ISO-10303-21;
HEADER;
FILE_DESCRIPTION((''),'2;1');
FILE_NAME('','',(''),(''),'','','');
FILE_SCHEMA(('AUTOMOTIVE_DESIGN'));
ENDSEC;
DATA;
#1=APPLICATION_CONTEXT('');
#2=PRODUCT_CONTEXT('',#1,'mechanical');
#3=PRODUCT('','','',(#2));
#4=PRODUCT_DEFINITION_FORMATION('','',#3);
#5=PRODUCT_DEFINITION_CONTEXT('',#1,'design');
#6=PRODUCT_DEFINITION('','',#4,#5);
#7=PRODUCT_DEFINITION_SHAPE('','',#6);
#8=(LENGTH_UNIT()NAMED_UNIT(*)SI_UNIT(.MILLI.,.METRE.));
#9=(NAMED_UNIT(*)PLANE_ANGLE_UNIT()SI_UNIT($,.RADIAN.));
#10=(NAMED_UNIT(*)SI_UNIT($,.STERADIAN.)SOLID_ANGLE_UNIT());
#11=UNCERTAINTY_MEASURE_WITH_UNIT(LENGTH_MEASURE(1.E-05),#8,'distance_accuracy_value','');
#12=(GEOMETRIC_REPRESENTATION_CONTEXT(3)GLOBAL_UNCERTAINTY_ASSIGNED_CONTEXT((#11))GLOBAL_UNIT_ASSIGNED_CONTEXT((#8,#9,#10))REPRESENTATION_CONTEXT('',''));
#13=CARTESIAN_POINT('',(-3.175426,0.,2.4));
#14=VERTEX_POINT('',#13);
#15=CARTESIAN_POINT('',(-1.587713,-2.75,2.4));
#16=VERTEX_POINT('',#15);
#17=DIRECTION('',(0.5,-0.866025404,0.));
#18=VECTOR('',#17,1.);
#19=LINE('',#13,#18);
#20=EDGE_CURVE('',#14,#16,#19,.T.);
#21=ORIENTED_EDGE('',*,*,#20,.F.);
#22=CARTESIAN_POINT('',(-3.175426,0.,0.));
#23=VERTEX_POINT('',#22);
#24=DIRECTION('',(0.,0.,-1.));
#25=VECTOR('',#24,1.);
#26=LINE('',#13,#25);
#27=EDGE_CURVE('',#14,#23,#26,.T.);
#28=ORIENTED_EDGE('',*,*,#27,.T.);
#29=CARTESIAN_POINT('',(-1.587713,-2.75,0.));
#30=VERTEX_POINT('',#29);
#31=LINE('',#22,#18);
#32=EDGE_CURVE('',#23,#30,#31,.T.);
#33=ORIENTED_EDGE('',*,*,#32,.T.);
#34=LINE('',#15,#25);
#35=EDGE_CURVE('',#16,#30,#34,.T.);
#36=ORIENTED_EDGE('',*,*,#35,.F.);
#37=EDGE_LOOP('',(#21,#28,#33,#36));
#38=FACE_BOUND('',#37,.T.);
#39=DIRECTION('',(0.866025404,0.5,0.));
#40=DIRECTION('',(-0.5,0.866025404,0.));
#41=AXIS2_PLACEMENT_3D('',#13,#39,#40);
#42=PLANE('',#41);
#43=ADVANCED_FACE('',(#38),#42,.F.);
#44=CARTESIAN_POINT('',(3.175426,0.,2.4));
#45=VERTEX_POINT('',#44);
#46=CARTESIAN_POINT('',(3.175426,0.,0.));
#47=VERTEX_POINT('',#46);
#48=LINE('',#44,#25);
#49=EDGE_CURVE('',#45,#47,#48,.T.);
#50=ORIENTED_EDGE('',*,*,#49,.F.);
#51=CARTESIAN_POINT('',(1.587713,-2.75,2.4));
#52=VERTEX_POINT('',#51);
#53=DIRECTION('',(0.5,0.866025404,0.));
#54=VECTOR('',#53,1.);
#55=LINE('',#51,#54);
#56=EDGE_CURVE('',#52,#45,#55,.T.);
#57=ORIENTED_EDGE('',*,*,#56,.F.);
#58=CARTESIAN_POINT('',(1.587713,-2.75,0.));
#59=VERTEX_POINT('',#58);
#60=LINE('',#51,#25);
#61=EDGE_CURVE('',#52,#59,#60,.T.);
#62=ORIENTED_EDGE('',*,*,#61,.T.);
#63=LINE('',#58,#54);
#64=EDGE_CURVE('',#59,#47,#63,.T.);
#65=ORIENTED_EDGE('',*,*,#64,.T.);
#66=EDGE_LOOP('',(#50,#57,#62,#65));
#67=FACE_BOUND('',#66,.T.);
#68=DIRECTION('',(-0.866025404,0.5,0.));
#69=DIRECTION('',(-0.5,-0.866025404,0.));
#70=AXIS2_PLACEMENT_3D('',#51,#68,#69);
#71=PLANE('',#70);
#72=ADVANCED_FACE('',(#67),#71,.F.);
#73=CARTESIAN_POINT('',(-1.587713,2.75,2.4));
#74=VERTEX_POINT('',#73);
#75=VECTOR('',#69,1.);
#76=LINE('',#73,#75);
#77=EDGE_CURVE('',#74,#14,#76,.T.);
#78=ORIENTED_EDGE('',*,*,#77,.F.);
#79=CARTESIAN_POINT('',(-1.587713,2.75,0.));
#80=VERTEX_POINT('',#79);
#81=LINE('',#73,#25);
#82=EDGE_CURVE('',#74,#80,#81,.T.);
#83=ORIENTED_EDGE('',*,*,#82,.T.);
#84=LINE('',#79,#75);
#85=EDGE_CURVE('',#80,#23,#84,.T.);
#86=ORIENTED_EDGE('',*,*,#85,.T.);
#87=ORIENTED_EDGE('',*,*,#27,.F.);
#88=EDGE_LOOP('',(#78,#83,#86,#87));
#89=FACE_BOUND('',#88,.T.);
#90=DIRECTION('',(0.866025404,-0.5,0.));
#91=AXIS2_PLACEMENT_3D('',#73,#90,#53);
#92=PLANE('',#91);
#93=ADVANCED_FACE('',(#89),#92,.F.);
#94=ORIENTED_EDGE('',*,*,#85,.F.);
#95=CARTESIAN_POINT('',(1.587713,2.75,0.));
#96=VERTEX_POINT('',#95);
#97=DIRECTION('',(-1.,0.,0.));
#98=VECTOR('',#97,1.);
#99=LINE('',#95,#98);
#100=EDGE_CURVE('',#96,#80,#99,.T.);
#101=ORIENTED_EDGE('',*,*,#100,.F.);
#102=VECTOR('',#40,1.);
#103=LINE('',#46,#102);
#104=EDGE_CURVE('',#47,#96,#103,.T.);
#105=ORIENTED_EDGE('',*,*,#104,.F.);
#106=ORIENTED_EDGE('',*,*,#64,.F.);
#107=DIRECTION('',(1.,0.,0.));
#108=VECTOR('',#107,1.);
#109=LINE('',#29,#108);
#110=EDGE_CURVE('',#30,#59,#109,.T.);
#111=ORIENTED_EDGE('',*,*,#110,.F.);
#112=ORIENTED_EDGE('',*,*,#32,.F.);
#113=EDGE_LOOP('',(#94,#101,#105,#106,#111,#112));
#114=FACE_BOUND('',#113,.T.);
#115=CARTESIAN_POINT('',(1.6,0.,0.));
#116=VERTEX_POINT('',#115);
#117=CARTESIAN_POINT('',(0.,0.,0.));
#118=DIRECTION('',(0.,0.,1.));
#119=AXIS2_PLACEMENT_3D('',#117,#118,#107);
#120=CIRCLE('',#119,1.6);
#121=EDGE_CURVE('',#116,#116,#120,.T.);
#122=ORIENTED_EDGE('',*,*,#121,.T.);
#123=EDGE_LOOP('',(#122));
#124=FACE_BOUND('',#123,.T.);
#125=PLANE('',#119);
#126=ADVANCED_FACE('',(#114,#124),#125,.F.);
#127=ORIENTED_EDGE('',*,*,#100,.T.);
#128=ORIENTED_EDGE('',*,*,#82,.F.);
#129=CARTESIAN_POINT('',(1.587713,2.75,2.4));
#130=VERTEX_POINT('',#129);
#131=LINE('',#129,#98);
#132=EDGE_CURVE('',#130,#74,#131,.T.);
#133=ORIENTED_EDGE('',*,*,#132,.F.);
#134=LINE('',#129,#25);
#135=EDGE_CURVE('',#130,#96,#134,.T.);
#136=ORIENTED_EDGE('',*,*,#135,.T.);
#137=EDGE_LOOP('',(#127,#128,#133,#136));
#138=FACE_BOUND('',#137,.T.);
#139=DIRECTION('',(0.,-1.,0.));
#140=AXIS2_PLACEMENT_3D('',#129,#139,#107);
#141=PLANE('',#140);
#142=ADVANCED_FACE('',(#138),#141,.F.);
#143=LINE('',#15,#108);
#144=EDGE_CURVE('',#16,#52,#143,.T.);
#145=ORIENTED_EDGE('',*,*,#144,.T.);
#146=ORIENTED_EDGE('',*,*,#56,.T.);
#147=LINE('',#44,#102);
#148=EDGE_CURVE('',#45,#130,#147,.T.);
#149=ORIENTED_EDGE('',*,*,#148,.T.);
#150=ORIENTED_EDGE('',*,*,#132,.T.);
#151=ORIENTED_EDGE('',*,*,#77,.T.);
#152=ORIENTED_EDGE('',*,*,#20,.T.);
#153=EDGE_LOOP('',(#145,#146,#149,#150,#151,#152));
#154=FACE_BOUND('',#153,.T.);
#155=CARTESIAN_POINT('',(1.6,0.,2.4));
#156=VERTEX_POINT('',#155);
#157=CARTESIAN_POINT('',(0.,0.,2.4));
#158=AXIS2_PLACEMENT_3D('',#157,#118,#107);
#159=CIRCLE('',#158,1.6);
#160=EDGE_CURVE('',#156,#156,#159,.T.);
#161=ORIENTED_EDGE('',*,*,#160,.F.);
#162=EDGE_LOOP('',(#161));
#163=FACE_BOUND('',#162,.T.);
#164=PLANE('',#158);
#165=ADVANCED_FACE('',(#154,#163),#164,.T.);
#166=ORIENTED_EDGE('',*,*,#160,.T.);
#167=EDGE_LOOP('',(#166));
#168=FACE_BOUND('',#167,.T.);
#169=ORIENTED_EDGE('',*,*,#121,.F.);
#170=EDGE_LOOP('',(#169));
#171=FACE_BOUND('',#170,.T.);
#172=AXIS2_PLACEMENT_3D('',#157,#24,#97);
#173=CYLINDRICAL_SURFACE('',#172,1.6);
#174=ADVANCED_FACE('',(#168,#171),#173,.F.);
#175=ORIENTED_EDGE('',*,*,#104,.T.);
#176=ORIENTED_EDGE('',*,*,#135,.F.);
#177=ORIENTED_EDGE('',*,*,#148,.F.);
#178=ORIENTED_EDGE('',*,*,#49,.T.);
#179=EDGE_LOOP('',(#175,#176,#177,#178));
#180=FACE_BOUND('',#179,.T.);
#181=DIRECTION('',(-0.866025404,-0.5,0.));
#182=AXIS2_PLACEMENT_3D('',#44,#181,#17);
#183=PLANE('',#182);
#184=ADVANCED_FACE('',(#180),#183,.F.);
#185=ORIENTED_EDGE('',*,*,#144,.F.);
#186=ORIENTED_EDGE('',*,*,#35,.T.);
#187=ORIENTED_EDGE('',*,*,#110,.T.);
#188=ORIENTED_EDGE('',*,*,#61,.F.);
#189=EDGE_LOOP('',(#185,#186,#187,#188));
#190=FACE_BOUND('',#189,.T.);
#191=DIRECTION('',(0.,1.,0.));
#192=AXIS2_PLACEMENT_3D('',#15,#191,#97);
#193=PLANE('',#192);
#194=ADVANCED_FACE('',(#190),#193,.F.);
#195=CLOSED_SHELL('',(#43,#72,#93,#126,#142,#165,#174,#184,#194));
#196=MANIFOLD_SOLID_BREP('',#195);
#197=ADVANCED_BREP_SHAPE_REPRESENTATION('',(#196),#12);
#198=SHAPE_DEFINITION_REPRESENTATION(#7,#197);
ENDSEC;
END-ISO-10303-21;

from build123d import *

# Parameters (mm, degrees)
SKETCH_1_R       = 1.6
EXTRUDE_M3_DEPTH = 2.4


with BuildPart() as part:
    # 草图1 → M3螺母 (new body)
    with BuildSketch(Plane.XY):
        Polygon((3.175426481, 0), (1.58771324, 2.75), (-1.58771324, 2.75), (-3.175426481, 0), (-1.58771324, -2.75), (1.58771324, -2.75), align=None)
        Circle(SKETCH_1_R, mode=Mode.SUBTRACT)
    extrude(amount=EXTRUDE_M3_DEPTH)


solid = part.part
